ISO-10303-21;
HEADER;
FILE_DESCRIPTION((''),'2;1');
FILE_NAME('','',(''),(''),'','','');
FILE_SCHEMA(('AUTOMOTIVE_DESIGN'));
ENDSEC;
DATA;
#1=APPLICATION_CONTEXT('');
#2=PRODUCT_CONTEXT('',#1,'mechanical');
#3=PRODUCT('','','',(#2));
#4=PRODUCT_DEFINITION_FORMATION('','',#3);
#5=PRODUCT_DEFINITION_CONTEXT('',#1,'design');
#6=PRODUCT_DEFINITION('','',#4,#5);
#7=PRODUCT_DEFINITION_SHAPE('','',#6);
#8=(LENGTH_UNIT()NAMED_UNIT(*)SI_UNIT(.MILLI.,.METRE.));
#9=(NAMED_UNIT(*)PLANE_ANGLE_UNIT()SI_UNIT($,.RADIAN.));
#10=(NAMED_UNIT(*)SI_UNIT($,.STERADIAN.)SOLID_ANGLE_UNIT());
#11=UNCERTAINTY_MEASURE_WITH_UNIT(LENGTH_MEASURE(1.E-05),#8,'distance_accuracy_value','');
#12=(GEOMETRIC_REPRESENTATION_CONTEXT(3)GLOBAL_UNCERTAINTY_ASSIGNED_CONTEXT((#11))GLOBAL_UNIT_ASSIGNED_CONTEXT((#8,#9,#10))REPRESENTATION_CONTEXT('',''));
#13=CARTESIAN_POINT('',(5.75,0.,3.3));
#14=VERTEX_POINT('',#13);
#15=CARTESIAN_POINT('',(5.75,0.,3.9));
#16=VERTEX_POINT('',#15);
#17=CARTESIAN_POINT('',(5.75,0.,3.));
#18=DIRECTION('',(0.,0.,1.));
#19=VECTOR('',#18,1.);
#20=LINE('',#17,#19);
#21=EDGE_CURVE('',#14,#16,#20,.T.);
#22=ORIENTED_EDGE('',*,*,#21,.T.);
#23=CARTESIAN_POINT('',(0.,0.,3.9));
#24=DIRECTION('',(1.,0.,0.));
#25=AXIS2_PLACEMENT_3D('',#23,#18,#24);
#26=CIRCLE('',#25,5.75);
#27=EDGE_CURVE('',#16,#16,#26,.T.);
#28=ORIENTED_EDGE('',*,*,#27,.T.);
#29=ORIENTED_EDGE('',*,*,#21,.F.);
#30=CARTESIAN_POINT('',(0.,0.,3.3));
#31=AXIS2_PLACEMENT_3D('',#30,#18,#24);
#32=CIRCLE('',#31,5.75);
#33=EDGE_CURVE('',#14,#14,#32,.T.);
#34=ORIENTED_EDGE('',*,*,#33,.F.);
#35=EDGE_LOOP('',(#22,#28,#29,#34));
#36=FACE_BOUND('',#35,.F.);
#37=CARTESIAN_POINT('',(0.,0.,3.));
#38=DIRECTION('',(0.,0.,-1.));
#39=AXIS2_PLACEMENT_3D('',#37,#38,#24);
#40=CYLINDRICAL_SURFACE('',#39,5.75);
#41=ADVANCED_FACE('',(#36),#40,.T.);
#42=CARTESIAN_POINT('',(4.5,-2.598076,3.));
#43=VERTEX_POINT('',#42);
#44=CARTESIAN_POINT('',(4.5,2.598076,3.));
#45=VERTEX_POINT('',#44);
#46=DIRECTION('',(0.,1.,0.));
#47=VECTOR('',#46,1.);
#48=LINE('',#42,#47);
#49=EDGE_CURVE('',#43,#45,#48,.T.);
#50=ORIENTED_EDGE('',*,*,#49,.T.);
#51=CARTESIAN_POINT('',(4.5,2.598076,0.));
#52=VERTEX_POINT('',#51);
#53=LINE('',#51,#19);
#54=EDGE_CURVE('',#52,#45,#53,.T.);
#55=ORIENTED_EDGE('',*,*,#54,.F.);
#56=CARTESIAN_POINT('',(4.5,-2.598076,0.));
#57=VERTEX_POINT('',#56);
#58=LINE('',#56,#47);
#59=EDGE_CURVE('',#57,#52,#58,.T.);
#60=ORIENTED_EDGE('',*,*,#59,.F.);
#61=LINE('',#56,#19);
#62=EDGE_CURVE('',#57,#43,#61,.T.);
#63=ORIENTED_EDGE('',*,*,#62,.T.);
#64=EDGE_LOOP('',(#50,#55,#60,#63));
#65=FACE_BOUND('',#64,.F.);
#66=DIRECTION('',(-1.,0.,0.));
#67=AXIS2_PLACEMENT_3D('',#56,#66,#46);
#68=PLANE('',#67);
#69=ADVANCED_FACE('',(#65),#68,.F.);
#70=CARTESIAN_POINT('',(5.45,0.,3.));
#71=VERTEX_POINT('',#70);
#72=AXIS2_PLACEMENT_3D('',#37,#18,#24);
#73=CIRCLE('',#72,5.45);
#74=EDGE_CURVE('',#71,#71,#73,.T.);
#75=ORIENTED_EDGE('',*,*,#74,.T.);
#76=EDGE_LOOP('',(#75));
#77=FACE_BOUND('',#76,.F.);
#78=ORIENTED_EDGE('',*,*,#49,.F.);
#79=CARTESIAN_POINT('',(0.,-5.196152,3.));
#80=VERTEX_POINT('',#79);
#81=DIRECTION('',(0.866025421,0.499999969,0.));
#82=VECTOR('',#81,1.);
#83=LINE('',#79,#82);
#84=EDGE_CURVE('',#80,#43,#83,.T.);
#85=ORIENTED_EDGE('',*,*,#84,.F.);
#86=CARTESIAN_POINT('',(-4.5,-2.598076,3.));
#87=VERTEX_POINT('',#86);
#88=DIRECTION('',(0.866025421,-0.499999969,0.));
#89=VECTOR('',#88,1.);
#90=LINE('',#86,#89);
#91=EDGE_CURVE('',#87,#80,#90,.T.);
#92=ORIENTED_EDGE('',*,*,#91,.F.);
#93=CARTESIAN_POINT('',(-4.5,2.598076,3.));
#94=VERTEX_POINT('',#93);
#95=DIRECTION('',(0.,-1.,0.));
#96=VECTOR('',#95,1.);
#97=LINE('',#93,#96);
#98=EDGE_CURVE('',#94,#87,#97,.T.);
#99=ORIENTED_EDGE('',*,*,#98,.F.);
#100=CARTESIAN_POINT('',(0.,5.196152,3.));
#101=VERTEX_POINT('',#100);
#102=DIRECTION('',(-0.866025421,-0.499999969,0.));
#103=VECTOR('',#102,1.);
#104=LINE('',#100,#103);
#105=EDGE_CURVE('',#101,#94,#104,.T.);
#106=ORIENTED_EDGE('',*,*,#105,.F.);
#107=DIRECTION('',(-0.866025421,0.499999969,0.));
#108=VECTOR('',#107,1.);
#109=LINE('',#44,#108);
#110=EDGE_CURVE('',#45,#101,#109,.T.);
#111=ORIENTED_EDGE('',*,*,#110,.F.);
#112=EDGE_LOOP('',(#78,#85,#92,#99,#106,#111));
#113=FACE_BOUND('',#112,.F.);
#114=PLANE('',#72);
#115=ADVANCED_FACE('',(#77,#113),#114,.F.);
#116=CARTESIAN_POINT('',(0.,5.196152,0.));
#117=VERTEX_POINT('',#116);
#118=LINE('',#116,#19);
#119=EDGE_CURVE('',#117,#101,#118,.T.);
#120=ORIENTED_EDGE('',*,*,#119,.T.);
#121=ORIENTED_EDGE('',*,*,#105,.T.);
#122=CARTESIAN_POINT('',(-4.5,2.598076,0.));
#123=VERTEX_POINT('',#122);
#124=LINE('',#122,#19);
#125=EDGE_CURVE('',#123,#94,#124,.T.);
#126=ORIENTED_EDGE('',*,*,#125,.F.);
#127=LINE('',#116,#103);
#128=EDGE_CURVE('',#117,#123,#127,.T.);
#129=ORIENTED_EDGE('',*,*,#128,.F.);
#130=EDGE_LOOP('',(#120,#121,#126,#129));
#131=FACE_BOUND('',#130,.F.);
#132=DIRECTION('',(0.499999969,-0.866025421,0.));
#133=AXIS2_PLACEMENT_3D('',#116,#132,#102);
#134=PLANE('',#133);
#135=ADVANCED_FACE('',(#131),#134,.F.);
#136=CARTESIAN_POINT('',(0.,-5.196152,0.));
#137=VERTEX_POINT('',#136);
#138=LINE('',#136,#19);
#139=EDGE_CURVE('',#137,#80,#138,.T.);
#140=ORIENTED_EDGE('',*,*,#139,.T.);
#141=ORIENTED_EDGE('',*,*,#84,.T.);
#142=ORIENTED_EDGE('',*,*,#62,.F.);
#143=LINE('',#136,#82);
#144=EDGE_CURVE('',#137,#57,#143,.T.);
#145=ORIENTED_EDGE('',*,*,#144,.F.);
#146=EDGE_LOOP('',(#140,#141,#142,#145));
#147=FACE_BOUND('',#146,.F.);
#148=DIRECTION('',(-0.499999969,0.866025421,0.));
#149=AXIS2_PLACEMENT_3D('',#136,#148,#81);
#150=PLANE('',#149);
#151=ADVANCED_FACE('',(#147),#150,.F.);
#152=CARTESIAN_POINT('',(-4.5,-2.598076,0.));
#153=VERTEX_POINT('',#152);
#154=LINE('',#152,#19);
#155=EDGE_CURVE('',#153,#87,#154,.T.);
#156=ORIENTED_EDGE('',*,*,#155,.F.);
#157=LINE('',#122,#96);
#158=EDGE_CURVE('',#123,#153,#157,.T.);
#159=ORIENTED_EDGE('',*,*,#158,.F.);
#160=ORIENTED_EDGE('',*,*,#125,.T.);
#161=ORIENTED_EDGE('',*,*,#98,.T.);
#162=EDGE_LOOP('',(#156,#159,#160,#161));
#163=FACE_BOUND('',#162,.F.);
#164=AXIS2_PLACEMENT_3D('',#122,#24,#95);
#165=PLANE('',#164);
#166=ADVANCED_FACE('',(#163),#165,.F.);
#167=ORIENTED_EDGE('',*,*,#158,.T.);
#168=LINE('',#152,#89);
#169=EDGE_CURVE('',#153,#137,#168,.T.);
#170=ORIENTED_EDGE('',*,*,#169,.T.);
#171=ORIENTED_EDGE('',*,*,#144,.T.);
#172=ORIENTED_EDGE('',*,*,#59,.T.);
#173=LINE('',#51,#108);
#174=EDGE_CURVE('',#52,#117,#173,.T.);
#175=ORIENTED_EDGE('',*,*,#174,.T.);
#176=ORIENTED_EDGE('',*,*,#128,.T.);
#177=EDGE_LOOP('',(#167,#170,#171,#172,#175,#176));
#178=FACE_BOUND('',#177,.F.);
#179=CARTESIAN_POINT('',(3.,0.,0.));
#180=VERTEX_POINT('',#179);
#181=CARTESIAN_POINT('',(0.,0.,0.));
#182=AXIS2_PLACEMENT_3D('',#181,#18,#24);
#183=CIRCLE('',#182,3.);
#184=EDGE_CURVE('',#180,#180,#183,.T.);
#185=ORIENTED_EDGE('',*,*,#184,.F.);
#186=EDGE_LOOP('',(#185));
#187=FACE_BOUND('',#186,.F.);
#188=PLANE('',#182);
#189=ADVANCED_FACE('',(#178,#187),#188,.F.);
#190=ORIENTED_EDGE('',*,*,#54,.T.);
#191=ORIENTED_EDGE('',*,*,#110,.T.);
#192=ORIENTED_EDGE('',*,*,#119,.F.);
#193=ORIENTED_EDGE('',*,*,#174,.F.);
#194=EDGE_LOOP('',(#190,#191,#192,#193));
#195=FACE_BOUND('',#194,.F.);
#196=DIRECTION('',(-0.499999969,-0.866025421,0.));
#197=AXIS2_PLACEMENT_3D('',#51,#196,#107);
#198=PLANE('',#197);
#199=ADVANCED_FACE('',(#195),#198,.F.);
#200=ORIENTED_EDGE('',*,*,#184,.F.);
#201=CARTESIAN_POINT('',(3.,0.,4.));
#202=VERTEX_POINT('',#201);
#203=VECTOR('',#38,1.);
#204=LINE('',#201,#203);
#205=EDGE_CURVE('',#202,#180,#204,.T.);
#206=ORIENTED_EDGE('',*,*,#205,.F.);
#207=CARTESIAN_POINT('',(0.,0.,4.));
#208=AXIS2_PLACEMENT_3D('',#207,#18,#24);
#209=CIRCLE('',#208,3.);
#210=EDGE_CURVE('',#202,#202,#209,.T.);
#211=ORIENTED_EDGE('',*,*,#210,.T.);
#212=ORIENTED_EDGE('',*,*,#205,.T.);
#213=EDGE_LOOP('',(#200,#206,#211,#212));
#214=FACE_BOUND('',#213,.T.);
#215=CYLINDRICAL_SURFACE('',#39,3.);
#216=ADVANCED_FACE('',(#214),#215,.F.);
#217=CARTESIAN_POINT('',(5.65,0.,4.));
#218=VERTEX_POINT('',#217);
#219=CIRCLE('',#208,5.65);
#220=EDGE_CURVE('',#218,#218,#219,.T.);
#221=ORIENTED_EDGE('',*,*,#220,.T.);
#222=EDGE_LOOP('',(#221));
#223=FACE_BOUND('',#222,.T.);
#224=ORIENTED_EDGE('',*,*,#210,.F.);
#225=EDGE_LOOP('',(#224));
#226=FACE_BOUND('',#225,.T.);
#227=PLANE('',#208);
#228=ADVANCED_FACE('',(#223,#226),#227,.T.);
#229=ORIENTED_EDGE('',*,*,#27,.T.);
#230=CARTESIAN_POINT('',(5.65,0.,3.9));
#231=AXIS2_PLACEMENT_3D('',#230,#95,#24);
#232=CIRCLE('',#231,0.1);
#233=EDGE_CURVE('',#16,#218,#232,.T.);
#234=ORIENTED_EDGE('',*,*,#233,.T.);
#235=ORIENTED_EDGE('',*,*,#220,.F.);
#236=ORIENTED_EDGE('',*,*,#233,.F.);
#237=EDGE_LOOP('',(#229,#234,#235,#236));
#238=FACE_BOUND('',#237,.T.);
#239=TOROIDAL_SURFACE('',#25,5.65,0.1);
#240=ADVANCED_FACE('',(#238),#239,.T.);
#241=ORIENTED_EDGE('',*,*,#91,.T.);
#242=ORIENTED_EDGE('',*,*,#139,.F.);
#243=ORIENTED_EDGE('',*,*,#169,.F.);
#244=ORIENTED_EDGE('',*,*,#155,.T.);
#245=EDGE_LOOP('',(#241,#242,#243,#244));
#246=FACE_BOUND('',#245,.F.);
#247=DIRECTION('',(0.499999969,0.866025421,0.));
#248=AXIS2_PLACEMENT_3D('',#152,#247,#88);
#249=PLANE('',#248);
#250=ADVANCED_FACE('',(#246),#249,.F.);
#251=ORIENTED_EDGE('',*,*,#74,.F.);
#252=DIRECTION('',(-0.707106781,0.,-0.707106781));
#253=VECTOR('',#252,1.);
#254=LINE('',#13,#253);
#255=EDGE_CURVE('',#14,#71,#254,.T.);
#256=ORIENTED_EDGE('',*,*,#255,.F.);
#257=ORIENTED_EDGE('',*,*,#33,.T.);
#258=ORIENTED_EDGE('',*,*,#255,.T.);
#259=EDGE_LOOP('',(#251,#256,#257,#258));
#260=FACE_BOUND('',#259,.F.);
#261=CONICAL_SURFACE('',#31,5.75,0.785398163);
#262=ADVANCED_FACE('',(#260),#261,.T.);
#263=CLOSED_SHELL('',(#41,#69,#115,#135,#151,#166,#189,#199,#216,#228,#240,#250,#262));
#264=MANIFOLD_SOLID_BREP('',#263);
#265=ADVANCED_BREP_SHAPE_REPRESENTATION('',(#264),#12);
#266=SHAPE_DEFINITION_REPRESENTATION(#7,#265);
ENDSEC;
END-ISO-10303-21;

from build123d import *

# Parameters (mm, degrees)
F0_R     = 3
F1_DEPTH = 3
F2_R     = 5.75
F2_R_2   = 3
F3_DEPTH = 1
F4_SIZE  = 0.3
F5_R     = 0.1


with BuildPart() as f1:
    # F0 (on Top) → F1 (new body)
    with BuildSketch(Plane.XY):
        Polygon((4.5, -2.598076), (4.5, 2.598076), (0, 5.196152), (-4.5, 2.598076), (-4.5, -2.598076), (0, -5.196152), align=None)
        Circle(F0_R, mode=Mode.SUBTRACT)
    extrude(amount=F1_DEPTH)

    # F2 (on face) → F3 (join)
    with BuildSketch(Plane.XY.offset(3)):
        Circle(F2_R)
        Circle(F2_R_2, mode=Mode.SUBTRACT)
    extrude(amount=F3_DEPTH)

    # F4
    f4_edges = [f1.edges().sort_by_distance(p)[0] for p in [
        (-5.75, 0, 3),
    ]]
    chamfer(f4_edges, length=F4_SIZE)

    # F5
    f5_edges = [f1.edges().sort_by_distance(p)[0] for p in [
        (-5.75, 0, 4),
    ]]
    fillet(f5_edges, radius=F5_R)


solid = f1.part
